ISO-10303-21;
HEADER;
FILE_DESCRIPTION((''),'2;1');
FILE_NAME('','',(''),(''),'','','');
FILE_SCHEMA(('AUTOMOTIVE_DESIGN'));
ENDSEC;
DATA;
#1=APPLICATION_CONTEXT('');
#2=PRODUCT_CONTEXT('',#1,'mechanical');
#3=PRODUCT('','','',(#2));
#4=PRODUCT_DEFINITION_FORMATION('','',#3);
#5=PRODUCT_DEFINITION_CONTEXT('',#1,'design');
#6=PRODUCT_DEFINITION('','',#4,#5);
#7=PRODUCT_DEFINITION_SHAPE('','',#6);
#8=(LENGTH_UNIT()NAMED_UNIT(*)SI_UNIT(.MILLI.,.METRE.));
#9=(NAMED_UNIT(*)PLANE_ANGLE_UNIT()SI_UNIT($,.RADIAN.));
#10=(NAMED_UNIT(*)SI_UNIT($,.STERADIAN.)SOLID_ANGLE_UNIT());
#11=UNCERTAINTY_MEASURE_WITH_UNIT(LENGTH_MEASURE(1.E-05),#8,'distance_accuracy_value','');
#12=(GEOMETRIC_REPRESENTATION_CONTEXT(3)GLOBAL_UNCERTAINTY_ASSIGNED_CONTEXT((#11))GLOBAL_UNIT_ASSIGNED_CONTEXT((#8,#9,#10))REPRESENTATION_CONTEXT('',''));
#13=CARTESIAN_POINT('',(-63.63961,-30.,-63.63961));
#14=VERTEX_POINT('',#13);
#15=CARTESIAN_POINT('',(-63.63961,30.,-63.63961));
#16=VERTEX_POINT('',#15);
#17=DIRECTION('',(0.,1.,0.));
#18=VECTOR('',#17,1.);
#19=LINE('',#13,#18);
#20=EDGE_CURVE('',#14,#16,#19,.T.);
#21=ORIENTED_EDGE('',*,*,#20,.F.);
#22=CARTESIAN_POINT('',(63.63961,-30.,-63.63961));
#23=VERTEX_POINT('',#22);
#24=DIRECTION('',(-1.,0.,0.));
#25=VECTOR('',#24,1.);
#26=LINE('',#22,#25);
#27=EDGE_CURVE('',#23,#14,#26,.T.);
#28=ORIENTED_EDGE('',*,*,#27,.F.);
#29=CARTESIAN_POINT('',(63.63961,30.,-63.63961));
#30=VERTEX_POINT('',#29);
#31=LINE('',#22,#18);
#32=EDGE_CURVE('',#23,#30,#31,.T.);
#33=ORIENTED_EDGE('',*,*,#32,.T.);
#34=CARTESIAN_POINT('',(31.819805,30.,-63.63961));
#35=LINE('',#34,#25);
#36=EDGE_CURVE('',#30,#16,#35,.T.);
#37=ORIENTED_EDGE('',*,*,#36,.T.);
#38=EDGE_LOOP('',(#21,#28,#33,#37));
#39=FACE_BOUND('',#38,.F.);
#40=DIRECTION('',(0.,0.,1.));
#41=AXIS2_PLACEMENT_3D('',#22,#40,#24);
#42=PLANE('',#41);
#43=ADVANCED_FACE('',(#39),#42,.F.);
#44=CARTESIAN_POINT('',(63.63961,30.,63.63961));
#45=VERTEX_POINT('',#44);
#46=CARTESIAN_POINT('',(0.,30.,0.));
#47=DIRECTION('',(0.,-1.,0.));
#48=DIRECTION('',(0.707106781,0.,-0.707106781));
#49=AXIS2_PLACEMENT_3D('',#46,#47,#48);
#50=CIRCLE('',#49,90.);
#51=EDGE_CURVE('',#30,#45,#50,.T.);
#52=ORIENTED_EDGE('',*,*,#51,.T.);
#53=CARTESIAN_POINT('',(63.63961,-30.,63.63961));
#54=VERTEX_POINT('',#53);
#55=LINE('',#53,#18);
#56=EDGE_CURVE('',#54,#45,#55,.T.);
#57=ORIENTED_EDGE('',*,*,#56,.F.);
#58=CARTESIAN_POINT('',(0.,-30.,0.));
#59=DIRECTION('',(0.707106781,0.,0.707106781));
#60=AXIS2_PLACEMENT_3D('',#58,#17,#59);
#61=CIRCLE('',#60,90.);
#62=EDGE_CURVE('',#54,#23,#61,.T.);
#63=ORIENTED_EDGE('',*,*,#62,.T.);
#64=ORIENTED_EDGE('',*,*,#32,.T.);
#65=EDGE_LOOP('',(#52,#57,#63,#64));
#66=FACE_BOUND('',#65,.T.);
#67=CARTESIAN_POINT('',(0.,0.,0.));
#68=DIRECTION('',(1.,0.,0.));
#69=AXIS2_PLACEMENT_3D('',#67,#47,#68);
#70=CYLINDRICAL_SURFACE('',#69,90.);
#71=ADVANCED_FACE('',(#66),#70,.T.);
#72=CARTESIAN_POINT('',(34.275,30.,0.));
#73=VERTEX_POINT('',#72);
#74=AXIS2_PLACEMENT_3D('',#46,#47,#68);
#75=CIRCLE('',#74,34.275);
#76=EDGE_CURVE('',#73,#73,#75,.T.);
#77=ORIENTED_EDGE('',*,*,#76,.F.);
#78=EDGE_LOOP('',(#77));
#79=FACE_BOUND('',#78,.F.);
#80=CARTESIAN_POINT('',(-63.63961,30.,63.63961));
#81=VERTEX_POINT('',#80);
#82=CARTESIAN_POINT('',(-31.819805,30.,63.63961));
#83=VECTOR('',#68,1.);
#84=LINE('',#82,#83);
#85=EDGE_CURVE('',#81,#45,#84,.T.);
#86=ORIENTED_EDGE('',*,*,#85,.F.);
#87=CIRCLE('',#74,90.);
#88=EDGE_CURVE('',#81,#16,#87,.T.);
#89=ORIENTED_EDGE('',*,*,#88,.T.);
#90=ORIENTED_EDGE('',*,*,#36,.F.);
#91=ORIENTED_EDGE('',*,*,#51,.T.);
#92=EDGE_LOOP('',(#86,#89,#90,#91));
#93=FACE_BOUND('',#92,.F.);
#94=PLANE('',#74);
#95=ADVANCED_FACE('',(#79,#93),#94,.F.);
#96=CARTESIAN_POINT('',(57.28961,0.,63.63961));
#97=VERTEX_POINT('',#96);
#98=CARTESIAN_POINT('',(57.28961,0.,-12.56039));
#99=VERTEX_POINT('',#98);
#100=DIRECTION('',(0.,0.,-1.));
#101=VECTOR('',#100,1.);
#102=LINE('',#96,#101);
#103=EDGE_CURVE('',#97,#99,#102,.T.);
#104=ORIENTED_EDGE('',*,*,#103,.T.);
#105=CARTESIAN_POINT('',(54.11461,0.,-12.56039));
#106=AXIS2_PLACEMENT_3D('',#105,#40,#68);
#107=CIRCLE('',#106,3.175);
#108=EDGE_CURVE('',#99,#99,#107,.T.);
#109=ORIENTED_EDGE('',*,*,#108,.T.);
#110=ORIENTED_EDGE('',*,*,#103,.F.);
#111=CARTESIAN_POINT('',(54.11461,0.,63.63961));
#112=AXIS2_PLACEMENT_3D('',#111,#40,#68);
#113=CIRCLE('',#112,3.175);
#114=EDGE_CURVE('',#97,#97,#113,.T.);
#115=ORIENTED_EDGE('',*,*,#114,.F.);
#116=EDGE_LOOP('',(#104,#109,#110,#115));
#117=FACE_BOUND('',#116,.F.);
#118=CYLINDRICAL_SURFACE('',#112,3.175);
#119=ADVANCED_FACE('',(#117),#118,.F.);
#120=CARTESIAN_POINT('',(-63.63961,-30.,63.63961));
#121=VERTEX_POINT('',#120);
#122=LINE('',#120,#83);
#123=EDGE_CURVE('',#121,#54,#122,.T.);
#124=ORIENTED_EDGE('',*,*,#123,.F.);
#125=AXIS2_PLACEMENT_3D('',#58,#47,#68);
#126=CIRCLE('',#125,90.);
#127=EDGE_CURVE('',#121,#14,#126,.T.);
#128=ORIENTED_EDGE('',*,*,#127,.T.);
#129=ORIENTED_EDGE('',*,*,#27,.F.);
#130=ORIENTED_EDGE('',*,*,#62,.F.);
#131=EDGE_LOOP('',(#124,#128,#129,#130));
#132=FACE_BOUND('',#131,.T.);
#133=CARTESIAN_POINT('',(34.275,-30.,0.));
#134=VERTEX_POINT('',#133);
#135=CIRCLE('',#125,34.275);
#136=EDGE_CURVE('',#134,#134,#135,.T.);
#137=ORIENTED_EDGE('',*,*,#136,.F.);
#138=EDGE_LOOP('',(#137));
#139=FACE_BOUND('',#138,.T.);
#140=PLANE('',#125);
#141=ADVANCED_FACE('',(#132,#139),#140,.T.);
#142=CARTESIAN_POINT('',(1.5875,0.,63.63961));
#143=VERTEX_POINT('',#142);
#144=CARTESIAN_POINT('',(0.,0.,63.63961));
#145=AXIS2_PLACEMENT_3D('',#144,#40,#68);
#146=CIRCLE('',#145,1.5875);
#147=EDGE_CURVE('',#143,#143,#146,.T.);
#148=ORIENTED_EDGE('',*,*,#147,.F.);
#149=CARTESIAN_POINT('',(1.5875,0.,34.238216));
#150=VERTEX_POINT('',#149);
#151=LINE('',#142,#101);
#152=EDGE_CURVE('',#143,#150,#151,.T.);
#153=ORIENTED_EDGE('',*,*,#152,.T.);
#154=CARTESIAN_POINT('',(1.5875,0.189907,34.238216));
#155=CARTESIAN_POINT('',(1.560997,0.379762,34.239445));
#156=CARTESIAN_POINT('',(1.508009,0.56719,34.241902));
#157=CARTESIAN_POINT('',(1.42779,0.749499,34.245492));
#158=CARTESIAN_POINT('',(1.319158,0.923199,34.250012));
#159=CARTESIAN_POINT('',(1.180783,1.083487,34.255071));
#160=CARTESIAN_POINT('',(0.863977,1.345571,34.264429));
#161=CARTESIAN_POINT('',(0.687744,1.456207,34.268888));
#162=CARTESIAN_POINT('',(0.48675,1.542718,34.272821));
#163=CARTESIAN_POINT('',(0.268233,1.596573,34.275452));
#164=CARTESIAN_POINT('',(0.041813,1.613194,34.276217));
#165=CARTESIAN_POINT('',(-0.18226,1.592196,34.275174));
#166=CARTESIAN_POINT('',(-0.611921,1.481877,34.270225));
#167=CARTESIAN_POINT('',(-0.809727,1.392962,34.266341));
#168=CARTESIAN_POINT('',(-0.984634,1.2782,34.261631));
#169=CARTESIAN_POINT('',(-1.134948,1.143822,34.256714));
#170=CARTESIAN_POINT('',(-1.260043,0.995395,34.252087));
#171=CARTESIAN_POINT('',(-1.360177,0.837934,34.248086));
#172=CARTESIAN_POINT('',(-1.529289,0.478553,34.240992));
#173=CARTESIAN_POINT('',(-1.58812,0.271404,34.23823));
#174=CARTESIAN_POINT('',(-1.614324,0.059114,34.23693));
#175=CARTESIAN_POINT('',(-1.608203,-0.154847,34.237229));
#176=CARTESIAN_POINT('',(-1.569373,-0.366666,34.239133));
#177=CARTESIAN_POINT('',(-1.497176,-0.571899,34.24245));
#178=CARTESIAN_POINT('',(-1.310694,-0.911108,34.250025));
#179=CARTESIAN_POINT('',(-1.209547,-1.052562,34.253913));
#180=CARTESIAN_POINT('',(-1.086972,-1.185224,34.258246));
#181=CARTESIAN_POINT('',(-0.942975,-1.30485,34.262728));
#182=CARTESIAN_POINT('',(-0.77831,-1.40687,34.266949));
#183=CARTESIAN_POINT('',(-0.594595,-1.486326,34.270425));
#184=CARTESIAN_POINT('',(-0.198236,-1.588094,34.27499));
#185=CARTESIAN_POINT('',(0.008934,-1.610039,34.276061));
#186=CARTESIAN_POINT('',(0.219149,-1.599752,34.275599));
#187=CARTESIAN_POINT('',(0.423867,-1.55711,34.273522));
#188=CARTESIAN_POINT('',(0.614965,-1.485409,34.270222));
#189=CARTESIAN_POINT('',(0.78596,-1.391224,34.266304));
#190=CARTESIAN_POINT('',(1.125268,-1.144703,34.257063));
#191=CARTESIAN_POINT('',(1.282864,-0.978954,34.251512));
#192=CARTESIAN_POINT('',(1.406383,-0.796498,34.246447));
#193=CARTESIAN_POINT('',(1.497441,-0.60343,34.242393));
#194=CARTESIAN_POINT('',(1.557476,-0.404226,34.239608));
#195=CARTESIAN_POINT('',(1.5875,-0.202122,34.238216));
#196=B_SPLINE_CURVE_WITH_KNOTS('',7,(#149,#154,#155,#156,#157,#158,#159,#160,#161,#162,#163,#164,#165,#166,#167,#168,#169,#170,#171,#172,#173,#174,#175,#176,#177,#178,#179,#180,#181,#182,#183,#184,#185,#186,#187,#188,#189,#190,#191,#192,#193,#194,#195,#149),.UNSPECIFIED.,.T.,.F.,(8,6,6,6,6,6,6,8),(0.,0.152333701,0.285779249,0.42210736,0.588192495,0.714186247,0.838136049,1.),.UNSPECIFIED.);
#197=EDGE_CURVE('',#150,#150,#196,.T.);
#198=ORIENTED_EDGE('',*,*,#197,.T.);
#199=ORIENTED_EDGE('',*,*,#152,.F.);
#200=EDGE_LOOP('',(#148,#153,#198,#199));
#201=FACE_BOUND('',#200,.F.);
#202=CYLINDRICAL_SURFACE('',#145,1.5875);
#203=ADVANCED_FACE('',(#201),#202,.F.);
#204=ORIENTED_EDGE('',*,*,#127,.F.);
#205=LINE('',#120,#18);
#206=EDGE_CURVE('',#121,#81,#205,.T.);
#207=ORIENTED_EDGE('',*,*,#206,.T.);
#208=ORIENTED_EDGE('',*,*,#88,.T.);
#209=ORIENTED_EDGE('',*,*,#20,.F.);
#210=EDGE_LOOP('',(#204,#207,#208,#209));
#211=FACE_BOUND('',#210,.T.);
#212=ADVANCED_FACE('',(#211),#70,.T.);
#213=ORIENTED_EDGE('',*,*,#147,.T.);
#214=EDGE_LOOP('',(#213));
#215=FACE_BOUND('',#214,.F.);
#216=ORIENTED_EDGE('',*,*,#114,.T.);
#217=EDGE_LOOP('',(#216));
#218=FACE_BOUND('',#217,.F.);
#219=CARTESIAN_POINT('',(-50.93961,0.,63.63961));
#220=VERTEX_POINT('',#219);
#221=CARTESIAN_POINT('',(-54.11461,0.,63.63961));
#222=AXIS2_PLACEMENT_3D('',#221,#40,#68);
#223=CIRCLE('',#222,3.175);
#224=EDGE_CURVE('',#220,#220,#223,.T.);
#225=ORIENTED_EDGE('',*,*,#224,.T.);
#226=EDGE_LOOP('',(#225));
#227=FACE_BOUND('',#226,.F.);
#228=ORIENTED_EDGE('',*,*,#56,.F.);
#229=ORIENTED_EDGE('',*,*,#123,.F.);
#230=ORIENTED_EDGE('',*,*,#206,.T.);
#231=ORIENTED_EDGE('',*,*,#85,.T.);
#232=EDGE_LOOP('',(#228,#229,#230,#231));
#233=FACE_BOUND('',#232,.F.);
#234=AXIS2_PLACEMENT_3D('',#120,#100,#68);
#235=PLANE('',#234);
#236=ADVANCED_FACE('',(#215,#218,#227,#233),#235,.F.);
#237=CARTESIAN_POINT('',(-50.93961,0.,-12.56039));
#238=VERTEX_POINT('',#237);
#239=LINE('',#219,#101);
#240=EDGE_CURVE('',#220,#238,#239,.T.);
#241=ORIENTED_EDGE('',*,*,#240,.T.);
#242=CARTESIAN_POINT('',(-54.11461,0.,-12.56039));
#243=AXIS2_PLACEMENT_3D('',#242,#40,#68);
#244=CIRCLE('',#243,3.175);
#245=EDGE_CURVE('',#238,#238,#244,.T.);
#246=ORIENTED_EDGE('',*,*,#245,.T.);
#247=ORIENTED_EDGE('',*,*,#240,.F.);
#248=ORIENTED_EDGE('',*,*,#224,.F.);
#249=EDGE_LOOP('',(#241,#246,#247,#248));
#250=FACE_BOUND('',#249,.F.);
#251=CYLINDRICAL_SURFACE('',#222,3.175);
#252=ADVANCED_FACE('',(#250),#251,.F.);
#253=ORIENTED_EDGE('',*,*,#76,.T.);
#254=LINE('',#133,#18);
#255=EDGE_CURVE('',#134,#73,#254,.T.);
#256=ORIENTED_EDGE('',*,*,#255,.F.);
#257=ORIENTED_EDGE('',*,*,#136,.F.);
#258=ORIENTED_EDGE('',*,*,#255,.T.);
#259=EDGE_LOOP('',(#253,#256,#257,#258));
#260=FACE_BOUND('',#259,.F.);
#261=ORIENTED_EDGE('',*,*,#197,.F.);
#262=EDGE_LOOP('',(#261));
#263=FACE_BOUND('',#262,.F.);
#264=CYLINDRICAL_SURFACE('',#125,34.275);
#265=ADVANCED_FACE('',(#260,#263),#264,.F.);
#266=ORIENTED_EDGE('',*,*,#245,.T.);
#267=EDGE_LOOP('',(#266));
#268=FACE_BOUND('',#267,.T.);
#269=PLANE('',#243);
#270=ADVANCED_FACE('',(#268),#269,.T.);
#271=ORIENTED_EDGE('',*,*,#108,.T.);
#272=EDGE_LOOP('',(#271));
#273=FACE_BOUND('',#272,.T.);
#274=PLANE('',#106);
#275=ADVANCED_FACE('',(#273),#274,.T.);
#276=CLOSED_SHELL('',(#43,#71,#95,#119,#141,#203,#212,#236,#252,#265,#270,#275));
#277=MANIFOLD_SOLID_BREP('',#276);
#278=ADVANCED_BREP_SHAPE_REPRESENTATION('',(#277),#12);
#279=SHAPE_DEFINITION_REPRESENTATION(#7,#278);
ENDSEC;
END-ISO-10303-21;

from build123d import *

# Parameters (mm, degrees)
F0_R     = 90
F1_DEPTH = 30
F3_DEPTH = 60.001
F4_R     = 34.275
F5_DEPTH = 60.001
F6_R     = 3.175
F6_R_2   = 1.5875
F7_DEPTH = 76.2


with BuildPart() as f1:
    # F0 (on Front) → F1 (new body, symmetric)
    with BuildSketch(Plane.XZ):
        Circle(F0_R)
    extrude(amount=F1_DEPTH, both=True)

    # F2 (on face) → F3 (cut, through all)
    with BuildSketch(Plane.XZ.offset(30)):
        with BuildLine():
            ThreePointArc((-63.6396103068, -63.6396103068), (0, -90), (63.6396103068, -63.6396103068))
            Line((63.6396103068, -63.6396103068), (-63.6396103068, -63.6396103068))
        make_face()
        with BuildLine():
            Line((-63.6396103068, 63.6396103068), (63.6396103068, 63.6396103068))
            ThreePointArc((63.6396103068, 63.6396103068), (0, 90), (-63.6396103068, 63.6396103068))
        make_face()
    extrude(amount=-F3_DEPTH, mode=Mode.SUBTRACT)

    # F4 (on face) → F5 (cut, through all)
    with BuildSketch(Plane.XZ.offset(30)):
        Circle(F4_R)
    extrude(amount=-F5_DEPTH, mode=Mode.SUBTRACT)

    # F6 (on face) → F7 (cut)
    with BuildSketch(Plane.XY.offset(63.6396103068)):
        with Locations((-54.1146103068, 0)):
            Circle(F6_R)
        Circle(F6_R_2)
        with Locations((54.1146103068, 0)):
            Circle(F6_R)
    extrude(amount=-F7_DEPTH, mode=Mode.SUBTRACT)


solid = f1.part
